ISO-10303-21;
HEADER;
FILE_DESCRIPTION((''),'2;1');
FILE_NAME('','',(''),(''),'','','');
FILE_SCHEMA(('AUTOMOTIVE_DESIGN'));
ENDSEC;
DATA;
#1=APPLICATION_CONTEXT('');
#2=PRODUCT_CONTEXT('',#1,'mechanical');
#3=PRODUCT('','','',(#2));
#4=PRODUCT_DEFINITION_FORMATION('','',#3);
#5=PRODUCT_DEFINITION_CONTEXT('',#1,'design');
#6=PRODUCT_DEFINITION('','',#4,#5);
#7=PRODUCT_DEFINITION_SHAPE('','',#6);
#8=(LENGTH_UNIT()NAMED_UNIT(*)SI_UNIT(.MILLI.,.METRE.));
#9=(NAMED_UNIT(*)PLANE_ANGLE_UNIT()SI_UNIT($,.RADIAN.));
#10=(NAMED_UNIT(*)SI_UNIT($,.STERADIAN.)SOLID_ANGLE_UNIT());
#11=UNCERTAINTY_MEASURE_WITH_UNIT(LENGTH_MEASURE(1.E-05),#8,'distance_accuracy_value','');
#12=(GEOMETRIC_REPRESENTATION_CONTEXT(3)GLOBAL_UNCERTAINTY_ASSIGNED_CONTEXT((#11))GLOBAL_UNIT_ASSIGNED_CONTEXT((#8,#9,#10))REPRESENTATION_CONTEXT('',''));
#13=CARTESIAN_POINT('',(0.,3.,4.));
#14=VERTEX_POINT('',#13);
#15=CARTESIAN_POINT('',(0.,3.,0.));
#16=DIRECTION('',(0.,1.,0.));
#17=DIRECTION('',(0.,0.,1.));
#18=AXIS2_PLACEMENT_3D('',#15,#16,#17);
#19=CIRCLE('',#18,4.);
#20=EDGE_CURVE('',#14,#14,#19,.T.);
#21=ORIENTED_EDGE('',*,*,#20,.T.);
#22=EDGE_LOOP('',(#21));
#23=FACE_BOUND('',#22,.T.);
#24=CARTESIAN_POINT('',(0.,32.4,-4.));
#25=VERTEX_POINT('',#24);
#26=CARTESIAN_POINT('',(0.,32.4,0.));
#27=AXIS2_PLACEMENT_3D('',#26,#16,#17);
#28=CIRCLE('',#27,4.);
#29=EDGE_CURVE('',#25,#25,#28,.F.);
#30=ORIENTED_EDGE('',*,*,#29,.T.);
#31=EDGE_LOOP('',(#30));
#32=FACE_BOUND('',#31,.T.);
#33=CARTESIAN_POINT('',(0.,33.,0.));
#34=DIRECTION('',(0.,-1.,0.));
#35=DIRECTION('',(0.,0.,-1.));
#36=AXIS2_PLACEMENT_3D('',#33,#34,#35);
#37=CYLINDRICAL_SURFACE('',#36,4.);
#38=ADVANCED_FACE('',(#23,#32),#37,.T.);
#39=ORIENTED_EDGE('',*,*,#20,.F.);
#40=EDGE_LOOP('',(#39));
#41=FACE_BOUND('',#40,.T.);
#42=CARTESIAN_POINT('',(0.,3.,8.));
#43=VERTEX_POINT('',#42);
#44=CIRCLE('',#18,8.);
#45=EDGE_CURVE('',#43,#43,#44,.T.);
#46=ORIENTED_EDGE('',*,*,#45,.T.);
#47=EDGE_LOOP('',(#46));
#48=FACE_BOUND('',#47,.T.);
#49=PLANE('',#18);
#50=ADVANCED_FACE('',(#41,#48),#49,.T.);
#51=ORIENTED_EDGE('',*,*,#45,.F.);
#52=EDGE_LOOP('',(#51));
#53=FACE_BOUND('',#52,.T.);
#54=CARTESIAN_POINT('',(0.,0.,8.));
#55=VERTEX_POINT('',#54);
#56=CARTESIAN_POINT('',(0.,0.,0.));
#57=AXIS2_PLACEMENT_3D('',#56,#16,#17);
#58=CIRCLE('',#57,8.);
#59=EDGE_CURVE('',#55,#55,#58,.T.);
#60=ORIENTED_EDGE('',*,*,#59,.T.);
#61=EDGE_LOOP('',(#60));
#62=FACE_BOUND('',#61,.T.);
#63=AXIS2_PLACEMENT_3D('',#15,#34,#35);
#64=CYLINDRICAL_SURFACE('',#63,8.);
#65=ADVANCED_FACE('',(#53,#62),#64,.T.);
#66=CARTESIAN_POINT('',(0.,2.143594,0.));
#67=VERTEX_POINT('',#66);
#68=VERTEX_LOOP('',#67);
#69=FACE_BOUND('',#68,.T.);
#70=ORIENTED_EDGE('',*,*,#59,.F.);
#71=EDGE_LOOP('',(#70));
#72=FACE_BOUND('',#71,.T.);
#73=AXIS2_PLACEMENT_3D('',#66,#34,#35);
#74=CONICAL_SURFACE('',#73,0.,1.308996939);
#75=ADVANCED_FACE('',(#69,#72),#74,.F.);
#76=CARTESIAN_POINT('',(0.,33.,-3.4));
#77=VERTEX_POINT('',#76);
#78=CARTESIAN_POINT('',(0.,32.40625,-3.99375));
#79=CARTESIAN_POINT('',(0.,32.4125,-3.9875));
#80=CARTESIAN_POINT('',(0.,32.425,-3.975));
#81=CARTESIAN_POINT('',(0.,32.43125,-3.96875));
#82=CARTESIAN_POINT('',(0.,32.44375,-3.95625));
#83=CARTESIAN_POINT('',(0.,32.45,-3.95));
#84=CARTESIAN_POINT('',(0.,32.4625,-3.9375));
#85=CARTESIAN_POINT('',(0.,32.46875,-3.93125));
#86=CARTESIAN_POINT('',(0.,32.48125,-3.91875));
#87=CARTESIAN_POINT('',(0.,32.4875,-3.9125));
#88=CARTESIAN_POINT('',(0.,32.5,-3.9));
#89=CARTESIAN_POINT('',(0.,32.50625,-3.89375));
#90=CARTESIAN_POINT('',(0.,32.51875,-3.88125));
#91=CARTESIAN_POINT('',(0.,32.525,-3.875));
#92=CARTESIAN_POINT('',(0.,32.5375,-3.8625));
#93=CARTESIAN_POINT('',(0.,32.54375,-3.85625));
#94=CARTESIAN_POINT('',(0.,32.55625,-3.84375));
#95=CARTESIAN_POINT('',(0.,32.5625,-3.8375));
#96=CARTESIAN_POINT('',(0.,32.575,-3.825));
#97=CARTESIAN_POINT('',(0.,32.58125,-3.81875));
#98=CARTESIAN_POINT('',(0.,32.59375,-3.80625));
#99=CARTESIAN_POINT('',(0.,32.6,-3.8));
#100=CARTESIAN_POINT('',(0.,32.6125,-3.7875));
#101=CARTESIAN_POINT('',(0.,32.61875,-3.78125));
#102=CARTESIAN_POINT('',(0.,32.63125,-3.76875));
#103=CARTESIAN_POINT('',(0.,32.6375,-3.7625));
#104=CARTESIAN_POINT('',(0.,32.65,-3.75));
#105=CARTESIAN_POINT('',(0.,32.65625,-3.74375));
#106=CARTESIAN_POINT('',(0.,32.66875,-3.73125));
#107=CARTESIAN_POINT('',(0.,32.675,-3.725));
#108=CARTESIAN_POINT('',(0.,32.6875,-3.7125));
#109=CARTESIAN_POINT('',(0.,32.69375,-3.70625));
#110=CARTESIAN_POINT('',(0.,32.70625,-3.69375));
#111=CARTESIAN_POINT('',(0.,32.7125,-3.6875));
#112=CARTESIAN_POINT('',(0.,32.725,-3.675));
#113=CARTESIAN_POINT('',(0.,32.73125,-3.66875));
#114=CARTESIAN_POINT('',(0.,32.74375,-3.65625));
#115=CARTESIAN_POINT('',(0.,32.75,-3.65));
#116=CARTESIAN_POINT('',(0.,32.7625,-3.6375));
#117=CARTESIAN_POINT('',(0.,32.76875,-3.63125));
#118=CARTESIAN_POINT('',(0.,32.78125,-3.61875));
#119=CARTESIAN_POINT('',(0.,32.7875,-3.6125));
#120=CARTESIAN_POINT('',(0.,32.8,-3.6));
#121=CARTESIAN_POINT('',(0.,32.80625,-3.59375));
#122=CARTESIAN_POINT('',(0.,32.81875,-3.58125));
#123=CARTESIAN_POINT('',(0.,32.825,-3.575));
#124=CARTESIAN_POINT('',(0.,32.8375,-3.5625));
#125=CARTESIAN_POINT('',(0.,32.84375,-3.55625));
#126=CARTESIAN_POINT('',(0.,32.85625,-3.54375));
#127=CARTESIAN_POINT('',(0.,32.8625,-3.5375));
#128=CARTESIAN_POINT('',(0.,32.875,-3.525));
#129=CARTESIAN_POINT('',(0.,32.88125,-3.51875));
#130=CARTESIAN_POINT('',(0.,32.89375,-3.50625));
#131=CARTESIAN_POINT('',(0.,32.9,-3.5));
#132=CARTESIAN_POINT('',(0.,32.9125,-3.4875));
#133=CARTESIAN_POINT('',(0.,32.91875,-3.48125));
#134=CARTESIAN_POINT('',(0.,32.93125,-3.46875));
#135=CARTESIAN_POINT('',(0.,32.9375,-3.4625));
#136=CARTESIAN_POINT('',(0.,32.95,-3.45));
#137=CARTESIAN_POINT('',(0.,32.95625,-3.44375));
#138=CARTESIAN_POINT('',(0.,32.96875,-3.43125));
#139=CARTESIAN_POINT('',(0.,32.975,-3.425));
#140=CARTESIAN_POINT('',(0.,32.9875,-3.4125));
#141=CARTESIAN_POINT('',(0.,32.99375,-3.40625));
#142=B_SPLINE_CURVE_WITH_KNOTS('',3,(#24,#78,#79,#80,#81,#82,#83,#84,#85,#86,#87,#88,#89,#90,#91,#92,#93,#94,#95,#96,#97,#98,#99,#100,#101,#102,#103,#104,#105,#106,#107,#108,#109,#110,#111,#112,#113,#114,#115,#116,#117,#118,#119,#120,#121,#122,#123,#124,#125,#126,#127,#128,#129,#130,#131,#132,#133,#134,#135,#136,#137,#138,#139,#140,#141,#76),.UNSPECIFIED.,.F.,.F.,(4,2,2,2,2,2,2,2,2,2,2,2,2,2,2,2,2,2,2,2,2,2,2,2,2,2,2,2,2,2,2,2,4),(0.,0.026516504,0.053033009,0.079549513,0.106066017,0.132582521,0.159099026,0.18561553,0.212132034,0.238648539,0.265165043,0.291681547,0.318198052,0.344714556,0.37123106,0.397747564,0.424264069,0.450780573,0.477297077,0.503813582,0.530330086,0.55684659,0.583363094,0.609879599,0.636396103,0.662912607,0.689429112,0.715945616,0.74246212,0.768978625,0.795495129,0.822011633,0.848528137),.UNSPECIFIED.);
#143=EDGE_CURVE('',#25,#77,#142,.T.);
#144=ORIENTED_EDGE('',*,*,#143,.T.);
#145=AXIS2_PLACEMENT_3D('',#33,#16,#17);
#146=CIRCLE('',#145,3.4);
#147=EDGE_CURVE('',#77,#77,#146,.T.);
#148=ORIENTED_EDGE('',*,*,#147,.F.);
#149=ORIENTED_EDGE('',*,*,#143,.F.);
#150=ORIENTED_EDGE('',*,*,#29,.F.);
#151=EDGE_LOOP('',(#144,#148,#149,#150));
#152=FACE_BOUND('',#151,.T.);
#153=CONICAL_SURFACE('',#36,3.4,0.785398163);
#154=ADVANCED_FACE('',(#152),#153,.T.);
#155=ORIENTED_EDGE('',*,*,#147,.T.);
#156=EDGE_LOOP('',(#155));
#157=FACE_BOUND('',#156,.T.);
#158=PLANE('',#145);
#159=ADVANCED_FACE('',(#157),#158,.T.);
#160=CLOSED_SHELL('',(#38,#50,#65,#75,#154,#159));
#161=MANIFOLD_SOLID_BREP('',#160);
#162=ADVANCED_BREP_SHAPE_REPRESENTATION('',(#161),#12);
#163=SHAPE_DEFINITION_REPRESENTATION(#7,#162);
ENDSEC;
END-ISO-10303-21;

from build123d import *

# Parameters (mm, degrees)
SKETCH_1_R      = 8
EXTRUDE_1_DEPTH = 3
SKETCH_2_R      = 4
EXTRUDE_2_DEPTH = 30
CHAMFER_1_SIZE  = 0.6


with BuildPart() as part:
    # Эскиз1 → Бобышка-Вытянуть1 (new body)
    with BuildSketch(Plane(origin=(0, 0, 0), x_dir=(1, 0, 0), z_dir=(0, 1, 0))):
        with Locations(Location((0, 0, 0), (0, 0, 270))):
            Circle(SKETCH_1_R)
    extrude(amount=EXTRUDE_1_DEPTH)

    # Эскиз2 → Бобышка-Вытянуть2 (add)
    with BuildSketch(Plane(origin=(0, 3, 0), x_dir=(1, 0, 0), z_dir=(0, 1, 0))):
        with Locations(Location((0, 0, 0), (0, 0, 270))):
            Circle(SKETCH_2_R)
    extrude(amount=EXTRUDE_2_DEPTH)

    # Эскиз3 → Вырез-Повернуть1 (revolve, cut)
    with BuildSketch(Plane(origin=(0, 0, 0), x_dir=(0, 0, -1), z_dir=(1, 0, 0)), mode=Mode.PRIVATE) as cut_revolve_1_sk:
        Polygon((-8, 0), (0, 2.143593539), (0, 0), align=None)
    revolve(cut_revolve_1_sk.sketch.rotate(Axis((0, 2.143593539, 0), (0, -1, 0)), 180), axis=Axis((0, 2.143593539, 0), (0, -1, 0)), mode=Mode.SUBTRACT)

    # Фаска1
    chamfer_1_edges = [part.edges().sort_by_distance(p)[0] for p in [
        (0, 33, -4),
    ]]
    chamfer(chamfer_1_edges, length=CHAMFER_1_SIZE)


solid = part.part
